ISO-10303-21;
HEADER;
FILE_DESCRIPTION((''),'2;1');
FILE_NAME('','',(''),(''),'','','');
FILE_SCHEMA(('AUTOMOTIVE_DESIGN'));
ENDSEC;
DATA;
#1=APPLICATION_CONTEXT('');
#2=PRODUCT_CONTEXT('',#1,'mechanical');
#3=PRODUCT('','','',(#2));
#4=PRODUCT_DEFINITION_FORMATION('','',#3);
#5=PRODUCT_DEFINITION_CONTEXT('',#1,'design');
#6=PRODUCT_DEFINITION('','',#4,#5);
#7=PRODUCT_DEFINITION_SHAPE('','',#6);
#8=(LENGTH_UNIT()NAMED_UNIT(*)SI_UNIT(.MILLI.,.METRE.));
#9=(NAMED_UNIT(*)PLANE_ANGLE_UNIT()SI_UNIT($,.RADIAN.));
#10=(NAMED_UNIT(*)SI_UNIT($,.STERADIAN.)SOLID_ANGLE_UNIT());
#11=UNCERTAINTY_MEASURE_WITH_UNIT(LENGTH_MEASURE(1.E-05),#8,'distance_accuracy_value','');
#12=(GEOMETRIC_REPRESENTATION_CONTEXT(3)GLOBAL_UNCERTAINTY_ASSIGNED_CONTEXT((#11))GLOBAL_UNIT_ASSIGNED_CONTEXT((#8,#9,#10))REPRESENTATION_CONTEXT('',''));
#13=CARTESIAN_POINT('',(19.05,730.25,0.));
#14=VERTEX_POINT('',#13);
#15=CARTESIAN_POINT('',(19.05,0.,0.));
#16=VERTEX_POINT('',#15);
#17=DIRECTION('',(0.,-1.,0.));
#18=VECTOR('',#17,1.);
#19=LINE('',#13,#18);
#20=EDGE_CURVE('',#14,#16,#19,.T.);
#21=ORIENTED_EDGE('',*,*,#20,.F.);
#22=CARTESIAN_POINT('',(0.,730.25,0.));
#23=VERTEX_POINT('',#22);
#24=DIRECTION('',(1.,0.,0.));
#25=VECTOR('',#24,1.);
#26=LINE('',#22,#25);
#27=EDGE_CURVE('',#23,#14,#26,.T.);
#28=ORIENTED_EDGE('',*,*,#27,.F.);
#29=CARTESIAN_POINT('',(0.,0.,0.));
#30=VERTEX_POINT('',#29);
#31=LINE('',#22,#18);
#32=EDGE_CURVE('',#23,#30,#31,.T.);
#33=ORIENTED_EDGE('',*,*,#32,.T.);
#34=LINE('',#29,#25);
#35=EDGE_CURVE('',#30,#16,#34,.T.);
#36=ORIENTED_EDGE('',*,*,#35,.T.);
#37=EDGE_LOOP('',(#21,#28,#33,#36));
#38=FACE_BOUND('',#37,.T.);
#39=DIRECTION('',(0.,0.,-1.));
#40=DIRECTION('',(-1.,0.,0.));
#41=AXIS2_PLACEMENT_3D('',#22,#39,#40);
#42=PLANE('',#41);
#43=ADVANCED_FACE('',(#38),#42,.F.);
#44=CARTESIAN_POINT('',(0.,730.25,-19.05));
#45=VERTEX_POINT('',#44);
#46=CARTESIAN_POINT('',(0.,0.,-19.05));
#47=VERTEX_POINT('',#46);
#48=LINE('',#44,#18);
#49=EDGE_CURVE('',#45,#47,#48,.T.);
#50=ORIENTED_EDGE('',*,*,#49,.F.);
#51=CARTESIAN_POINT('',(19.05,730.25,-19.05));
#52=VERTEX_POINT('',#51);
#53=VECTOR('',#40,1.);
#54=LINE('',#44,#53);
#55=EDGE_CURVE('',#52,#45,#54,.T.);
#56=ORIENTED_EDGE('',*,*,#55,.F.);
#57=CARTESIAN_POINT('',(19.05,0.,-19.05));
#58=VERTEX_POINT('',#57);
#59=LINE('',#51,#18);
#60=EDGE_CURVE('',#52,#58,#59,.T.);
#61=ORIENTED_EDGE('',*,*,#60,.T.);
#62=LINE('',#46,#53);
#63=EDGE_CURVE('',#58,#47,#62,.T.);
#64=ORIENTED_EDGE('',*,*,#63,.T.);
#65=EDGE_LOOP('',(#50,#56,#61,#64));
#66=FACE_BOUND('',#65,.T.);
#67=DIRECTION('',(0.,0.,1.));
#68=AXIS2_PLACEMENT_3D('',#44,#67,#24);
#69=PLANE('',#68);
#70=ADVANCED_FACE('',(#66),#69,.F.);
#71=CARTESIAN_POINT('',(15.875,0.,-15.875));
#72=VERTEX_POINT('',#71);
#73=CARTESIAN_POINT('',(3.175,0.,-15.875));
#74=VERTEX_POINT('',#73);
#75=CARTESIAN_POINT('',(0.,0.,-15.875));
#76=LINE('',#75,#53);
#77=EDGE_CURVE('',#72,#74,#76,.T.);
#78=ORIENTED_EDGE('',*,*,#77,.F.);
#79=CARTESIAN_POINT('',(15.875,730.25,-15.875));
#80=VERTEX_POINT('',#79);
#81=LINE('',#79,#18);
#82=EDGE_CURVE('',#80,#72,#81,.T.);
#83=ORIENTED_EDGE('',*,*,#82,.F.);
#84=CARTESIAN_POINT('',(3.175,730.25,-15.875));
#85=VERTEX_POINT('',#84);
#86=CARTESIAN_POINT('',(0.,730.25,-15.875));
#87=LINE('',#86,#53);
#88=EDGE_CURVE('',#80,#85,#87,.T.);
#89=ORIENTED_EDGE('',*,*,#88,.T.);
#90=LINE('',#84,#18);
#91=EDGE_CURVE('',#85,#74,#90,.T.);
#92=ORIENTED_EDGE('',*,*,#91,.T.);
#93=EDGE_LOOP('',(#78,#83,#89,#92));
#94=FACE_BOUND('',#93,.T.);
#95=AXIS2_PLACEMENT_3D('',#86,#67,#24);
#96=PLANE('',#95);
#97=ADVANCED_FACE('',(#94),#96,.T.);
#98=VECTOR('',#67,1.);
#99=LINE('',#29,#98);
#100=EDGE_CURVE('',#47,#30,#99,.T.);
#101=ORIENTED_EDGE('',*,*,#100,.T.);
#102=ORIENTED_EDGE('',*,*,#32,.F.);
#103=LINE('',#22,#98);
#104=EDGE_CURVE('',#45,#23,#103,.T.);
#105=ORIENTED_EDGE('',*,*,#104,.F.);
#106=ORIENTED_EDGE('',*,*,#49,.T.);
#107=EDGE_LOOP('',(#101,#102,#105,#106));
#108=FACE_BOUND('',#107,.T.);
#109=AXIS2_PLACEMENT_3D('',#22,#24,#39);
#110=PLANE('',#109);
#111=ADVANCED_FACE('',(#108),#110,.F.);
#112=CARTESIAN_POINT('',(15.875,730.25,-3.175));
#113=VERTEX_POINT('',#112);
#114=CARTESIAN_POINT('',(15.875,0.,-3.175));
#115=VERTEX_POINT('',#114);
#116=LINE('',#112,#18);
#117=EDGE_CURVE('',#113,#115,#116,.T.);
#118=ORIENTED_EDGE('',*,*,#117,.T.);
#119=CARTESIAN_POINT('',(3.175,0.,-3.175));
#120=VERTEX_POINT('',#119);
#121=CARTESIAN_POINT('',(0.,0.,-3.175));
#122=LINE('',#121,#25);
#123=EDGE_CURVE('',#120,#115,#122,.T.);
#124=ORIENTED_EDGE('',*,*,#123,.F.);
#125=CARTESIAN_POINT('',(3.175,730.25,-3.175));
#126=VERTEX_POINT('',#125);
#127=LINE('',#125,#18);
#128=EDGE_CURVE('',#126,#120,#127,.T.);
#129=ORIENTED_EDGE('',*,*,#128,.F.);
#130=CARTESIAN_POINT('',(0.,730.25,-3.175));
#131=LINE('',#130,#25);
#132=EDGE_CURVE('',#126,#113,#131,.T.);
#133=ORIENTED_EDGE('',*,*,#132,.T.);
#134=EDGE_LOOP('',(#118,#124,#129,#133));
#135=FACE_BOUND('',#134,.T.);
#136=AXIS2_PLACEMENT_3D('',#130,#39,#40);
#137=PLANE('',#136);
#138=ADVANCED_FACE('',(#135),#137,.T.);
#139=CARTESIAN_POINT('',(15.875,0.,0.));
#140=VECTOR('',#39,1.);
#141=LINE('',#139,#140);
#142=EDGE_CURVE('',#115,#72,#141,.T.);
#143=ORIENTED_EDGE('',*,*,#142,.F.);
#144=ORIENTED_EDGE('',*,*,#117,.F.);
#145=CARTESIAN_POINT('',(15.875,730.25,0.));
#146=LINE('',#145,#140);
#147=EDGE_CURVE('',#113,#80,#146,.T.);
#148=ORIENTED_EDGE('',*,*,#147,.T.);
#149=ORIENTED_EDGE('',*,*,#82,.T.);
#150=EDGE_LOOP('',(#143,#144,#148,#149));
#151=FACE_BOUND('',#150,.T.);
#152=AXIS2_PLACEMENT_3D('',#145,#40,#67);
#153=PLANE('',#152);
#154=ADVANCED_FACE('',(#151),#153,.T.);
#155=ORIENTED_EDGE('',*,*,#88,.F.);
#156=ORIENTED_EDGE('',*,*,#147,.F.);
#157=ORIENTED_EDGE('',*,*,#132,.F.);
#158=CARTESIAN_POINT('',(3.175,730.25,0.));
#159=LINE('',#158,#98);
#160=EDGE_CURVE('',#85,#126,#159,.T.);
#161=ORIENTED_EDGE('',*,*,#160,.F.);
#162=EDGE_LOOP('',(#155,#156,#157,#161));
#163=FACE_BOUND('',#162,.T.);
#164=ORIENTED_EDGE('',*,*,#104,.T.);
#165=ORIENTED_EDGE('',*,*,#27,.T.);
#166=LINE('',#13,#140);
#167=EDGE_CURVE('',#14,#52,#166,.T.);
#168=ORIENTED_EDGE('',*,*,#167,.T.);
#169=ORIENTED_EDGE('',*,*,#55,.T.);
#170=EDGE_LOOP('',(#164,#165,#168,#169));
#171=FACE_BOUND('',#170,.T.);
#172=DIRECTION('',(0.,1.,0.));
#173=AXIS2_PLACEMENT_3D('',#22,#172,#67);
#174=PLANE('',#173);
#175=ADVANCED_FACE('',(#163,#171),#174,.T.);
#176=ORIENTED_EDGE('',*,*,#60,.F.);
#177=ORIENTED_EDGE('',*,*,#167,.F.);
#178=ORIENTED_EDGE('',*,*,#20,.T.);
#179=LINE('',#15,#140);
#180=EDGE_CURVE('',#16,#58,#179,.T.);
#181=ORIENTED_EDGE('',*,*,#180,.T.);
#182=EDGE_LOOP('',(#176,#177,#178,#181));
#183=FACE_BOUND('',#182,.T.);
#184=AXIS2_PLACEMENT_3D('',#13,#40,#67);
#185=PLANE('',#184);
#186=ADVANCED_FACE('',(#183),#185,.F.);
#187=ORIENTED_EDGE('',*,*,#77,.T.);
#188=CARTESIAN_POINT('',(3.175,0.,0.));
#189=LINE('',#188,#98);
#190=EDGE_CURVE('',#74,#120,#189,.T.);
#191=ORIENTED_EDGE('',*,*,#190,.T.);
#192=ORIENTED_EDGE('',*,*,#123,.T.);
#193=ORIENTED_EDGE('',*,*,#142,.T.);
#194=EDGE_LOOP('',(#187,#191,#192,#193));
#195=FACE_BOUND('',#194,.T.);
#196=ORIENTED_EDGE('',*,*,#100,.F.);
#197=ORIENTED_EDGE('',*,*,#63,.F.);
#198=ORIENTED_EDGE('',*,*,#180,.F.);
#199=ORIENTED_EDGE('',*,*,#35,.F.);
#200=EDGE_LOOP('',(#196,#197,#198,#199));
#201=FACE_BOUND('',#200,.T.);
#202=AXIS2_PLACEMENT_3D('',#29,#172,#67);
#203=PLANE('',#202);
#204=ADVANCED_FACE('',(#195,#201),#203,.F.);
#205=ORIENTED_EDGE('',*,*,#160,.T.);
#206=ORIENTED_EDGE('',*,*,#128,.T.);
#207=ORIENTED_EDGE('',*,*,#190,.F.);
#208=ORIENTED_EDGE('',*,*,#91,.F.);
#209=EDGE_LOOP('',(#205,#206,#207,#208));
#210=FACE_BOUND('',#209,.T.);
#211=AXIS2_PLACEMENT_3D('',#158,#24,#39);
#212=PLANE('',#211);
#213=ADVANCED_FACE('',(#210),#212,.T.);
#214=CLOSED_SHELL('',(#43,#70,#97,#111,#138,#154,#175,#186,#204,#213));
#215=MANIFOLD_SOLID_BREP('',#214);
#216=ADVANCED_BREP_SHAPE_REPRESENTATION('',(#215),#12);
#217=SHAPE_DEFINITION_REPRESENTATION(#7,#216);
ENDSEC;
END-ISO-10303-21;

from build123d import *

# Parameters (mm, degrees)
SKETCH1_W           = 19.05
SKETCH1_H           = 19.05
SKETCH1_W_2         = 12.7
SKETCH1_H_2         = 12.7
EXTRUDE_THIN1_DEPTH = 730.25


with BuildPart() as part:
    # Sketch1 → Extrude-Thin1 (new body)
    with BuildSketch(Plane(origin=(0, 0, 0), x_dir=(1, 0, 0), z_dir=(0, 1, 0))):
        with Locations((9.525, 9.525)):
            Rectangle(SKETCH1_W, SKETCH1_H)
        with Locations((9.525, 9.525)):
            Rectangle(SKETCH1_W_2, SKETCH1_H_2, mode=Mode.SUBTRACT)
    extrude(amount=EXTRUDE_THIN1_DEPTH)


solid = part.part
